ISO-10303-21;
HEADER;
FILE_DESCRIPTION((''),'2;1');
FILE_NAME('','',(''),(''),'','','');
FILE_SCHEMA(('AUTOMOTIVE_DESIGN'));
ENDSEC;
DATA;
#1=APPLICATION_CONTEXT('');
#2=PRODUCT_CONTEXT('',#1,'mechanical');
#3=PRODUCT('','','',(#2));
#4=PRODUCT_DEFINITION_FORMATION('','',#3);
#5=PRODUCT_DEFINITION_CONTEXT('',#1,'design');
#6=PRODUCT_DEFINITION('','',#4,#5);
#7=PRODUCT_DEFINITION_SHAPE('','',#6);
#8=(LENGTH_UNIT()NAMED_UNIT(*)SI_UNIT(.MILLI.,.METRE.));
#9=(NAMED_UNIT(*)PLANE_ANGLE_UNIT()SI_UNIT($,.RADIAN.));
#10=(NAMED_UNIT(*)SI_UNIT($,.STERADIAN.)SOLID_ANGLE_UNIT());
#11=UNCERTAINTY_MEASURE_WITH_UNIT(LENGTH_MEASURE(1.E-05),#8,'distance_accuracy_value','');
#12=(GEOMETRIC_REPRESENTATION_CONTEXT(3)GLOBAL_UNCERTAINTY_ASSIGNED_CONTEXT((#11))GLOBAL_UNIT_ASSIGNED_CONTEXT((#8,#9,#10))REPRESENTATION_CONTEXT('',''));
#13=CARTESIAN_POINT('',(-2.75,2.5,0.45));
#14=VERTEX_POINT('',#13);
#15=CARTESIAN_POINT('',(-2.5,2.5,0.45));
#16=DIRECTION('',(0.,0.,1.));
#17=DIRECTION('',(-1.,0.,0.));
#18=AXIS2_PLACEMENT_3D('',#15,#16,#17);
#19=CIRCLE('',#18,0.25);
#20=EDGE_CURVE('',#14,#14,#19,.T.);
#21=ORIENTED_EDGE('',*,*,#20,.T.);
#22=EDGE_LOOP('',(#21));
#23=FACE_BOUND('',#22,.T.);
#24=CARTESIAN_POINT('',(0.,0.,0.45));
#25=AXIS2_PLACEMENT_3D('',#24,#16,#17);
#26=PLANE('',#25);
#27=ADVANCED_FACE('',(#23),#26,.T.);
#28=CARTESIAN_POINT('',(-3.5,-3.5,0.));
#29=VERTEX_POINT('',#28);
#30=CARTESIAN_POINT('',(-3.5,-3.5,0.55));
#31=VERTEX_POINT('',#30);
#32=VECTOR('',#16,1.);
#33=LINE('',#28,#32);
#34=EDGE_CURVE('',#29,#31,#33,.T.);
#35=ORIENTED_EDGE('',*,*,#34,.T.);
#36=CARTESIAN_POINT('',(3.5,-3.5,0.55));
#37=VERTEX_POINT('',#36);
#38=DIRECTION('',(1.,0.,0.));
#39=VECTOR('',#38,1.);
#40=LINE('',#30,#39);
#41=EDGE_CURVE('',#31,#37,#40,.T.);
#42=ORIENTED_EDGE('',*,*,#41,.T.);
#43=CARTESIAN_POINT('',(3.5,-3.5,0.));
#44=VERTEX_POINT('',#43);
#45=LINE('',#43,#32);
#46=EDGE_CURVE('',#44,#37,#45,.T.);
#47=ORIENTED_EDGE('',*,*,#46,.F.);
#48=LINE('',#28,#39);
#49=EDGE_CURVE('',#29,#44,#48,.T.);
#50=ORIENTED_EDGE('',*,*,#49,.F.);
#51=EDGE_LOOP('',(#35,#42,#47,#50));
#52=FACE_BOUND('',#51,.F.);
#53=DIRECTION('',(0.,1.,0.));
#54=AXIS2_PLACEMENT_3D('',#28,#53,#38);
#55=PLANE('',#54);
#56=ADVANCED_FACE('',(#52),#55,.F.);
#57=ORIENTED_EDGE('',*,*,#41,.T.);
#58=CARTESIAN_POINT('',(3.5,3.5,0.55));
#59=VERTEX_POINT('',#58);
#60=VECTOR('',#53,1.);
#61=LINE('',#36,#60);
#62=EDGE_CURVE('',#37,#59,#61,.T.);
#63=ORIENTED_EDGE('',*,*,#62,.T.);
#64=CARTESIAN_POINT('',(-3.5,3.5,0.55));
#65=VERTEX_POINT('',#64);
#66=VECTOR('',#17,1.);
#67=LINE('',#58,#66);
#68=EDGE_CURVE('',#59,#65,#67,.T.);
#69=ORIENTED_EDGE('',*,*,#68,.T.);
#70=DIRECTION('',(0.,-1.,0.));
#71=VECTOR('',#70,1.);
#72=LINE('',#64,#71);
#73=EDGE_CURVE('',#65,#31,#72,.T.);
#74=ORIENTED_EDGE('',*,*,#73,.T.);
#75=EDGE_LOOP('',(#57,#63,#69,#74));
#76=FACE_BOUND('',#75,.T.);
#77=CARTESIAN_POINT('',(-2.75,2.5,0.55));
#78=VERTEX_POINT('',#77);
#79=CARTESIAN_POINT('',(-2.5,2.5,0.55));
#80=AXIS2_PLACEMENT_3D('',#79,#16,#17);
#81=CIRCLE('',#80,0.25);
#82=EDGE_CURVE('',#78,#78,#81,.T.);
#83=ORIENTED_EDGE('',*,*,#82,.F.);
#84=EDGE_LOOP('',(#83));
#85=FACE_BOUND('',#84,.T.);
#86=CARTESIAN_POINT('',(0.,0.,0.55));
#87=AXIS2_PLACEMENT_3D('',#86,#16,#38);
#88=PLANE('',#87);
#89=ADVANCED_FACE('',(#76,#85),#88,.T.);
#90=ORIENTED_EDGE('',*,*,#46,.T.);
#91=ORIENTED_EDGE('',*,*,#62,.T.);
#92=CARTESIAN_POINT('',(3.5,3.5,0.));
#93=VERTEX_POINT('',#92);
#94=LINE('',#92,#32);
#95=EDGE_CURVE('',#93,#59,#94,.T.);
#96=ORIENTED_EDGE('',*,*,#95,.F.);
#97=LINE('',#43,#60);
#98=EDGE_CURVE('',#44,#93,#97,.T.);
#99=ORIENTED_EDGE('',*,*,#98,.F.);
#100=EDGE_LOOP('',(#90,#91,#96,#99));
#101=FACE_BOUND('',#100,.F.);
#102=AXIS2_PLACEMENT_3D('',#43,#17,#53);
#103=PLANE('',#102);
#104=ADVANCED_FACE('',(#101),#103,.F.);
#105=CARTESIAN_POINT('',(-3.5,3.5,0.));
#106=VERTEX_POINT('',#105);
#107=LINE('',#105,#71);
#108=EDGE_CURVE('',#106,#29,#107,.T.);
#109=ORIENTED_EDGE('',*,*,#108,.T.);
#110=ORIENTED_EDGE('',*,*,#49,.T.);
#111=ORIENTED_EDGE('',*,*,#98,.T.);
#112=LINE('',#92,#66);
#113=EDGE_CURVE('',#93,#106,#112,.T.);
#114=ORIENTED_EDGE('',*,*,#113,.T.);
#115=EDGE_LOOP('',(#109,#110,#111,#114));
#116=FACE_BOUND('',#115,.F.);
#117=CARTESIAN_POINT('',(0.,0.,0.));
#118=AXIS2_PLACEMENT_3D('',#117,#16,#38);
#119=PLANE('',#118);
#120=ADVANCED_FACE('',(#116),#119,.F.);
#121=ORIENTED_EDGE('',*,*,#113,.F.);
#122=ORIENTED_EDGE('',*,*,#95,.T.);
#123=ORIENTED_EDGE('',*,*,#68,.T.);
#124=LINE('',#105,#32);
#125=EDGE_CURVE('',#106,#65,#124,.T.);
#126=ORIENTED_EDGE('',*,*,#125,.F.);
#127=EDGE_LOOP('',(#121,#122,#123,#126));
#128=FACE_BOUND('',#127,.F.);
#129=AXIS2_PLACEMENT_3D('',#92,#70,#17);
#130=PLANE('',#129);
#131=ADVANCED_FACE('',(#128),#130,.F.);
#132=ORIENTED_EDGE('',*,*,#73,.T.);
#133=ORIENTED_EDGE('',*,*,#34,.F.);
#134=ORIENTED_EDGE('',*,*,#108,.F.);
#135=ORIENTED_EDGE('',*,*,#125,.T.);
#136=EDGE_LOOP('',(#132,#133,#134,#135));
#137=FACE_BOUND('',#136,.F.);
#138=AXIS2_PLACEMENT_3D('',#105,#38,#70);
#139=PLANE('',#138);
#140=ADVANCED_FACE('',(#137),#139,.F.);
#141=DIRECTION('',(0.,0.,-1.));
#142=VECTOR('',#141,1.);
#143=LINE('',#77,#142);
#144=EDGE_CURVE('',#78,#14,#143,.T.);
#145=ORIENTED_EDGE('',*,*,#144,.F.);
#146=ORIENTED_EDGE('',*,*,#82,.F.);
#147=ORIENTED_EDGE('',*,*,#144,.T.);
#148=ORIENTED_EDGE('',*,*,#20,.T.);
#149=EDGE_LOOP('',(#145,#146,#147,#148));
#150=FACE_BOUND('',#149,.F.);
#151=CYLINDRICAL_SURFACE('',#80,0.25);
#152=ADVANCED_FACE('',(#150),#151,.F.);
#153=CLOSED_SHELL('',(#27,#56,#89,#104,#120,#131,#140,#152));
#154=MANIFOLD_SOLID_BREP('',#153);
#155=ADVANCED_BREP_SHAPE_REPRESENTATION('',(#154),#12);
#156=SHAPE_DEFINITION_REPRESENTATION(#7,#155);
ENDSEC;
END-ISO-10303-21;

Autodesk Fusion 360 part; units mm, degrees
sketch "スケッチ1" plane through (0, 0, 0) normal (0, 0, 1) x (1, 0, 0)
  line L0 (3.5, 3.5) -> (-3.5, 3.5)
  line L1 (-3.5, 3.5) -> (-3.5, -3.5)
  line L2 (-3.5, -3.5) -> (3.5, -3.5)
  line L3 (3.5, -3.5) -> (3.5, 3.5)
  line L4 (3.5, 3.5) -> (-3.5, -3.5) construction
  line L5 (-3.5, 3.5) -> (3.5, -3.5) construction
  dimension "d1" = 7
  dimension "d2" = 7
extrude "押し出し1" add sketch "スケッチ1" along normal blind 0.55
sketch "スケッチ2" plane through (0, 0, 0.55) normal (0, 0, 1) x (-1, 0, 0)
  line L0 (-3.5, 3.5) -> (-3.5, -3.5)
  line L1 (-3.5, -3.5) -> (3.5, -3.5)
  line L2 (3.5, -3.5) -> (3.5, 3.5)
  line L3 (3.5, 3.5) -> (-3.5, 3.5)
  circle A0 centre (2.5, -2.5) radius 0.25
  dimension "d5" = 0.5
extrude "押し出し2" cut sketch "スケッチ2" against normal blind 0.1 contours A0
